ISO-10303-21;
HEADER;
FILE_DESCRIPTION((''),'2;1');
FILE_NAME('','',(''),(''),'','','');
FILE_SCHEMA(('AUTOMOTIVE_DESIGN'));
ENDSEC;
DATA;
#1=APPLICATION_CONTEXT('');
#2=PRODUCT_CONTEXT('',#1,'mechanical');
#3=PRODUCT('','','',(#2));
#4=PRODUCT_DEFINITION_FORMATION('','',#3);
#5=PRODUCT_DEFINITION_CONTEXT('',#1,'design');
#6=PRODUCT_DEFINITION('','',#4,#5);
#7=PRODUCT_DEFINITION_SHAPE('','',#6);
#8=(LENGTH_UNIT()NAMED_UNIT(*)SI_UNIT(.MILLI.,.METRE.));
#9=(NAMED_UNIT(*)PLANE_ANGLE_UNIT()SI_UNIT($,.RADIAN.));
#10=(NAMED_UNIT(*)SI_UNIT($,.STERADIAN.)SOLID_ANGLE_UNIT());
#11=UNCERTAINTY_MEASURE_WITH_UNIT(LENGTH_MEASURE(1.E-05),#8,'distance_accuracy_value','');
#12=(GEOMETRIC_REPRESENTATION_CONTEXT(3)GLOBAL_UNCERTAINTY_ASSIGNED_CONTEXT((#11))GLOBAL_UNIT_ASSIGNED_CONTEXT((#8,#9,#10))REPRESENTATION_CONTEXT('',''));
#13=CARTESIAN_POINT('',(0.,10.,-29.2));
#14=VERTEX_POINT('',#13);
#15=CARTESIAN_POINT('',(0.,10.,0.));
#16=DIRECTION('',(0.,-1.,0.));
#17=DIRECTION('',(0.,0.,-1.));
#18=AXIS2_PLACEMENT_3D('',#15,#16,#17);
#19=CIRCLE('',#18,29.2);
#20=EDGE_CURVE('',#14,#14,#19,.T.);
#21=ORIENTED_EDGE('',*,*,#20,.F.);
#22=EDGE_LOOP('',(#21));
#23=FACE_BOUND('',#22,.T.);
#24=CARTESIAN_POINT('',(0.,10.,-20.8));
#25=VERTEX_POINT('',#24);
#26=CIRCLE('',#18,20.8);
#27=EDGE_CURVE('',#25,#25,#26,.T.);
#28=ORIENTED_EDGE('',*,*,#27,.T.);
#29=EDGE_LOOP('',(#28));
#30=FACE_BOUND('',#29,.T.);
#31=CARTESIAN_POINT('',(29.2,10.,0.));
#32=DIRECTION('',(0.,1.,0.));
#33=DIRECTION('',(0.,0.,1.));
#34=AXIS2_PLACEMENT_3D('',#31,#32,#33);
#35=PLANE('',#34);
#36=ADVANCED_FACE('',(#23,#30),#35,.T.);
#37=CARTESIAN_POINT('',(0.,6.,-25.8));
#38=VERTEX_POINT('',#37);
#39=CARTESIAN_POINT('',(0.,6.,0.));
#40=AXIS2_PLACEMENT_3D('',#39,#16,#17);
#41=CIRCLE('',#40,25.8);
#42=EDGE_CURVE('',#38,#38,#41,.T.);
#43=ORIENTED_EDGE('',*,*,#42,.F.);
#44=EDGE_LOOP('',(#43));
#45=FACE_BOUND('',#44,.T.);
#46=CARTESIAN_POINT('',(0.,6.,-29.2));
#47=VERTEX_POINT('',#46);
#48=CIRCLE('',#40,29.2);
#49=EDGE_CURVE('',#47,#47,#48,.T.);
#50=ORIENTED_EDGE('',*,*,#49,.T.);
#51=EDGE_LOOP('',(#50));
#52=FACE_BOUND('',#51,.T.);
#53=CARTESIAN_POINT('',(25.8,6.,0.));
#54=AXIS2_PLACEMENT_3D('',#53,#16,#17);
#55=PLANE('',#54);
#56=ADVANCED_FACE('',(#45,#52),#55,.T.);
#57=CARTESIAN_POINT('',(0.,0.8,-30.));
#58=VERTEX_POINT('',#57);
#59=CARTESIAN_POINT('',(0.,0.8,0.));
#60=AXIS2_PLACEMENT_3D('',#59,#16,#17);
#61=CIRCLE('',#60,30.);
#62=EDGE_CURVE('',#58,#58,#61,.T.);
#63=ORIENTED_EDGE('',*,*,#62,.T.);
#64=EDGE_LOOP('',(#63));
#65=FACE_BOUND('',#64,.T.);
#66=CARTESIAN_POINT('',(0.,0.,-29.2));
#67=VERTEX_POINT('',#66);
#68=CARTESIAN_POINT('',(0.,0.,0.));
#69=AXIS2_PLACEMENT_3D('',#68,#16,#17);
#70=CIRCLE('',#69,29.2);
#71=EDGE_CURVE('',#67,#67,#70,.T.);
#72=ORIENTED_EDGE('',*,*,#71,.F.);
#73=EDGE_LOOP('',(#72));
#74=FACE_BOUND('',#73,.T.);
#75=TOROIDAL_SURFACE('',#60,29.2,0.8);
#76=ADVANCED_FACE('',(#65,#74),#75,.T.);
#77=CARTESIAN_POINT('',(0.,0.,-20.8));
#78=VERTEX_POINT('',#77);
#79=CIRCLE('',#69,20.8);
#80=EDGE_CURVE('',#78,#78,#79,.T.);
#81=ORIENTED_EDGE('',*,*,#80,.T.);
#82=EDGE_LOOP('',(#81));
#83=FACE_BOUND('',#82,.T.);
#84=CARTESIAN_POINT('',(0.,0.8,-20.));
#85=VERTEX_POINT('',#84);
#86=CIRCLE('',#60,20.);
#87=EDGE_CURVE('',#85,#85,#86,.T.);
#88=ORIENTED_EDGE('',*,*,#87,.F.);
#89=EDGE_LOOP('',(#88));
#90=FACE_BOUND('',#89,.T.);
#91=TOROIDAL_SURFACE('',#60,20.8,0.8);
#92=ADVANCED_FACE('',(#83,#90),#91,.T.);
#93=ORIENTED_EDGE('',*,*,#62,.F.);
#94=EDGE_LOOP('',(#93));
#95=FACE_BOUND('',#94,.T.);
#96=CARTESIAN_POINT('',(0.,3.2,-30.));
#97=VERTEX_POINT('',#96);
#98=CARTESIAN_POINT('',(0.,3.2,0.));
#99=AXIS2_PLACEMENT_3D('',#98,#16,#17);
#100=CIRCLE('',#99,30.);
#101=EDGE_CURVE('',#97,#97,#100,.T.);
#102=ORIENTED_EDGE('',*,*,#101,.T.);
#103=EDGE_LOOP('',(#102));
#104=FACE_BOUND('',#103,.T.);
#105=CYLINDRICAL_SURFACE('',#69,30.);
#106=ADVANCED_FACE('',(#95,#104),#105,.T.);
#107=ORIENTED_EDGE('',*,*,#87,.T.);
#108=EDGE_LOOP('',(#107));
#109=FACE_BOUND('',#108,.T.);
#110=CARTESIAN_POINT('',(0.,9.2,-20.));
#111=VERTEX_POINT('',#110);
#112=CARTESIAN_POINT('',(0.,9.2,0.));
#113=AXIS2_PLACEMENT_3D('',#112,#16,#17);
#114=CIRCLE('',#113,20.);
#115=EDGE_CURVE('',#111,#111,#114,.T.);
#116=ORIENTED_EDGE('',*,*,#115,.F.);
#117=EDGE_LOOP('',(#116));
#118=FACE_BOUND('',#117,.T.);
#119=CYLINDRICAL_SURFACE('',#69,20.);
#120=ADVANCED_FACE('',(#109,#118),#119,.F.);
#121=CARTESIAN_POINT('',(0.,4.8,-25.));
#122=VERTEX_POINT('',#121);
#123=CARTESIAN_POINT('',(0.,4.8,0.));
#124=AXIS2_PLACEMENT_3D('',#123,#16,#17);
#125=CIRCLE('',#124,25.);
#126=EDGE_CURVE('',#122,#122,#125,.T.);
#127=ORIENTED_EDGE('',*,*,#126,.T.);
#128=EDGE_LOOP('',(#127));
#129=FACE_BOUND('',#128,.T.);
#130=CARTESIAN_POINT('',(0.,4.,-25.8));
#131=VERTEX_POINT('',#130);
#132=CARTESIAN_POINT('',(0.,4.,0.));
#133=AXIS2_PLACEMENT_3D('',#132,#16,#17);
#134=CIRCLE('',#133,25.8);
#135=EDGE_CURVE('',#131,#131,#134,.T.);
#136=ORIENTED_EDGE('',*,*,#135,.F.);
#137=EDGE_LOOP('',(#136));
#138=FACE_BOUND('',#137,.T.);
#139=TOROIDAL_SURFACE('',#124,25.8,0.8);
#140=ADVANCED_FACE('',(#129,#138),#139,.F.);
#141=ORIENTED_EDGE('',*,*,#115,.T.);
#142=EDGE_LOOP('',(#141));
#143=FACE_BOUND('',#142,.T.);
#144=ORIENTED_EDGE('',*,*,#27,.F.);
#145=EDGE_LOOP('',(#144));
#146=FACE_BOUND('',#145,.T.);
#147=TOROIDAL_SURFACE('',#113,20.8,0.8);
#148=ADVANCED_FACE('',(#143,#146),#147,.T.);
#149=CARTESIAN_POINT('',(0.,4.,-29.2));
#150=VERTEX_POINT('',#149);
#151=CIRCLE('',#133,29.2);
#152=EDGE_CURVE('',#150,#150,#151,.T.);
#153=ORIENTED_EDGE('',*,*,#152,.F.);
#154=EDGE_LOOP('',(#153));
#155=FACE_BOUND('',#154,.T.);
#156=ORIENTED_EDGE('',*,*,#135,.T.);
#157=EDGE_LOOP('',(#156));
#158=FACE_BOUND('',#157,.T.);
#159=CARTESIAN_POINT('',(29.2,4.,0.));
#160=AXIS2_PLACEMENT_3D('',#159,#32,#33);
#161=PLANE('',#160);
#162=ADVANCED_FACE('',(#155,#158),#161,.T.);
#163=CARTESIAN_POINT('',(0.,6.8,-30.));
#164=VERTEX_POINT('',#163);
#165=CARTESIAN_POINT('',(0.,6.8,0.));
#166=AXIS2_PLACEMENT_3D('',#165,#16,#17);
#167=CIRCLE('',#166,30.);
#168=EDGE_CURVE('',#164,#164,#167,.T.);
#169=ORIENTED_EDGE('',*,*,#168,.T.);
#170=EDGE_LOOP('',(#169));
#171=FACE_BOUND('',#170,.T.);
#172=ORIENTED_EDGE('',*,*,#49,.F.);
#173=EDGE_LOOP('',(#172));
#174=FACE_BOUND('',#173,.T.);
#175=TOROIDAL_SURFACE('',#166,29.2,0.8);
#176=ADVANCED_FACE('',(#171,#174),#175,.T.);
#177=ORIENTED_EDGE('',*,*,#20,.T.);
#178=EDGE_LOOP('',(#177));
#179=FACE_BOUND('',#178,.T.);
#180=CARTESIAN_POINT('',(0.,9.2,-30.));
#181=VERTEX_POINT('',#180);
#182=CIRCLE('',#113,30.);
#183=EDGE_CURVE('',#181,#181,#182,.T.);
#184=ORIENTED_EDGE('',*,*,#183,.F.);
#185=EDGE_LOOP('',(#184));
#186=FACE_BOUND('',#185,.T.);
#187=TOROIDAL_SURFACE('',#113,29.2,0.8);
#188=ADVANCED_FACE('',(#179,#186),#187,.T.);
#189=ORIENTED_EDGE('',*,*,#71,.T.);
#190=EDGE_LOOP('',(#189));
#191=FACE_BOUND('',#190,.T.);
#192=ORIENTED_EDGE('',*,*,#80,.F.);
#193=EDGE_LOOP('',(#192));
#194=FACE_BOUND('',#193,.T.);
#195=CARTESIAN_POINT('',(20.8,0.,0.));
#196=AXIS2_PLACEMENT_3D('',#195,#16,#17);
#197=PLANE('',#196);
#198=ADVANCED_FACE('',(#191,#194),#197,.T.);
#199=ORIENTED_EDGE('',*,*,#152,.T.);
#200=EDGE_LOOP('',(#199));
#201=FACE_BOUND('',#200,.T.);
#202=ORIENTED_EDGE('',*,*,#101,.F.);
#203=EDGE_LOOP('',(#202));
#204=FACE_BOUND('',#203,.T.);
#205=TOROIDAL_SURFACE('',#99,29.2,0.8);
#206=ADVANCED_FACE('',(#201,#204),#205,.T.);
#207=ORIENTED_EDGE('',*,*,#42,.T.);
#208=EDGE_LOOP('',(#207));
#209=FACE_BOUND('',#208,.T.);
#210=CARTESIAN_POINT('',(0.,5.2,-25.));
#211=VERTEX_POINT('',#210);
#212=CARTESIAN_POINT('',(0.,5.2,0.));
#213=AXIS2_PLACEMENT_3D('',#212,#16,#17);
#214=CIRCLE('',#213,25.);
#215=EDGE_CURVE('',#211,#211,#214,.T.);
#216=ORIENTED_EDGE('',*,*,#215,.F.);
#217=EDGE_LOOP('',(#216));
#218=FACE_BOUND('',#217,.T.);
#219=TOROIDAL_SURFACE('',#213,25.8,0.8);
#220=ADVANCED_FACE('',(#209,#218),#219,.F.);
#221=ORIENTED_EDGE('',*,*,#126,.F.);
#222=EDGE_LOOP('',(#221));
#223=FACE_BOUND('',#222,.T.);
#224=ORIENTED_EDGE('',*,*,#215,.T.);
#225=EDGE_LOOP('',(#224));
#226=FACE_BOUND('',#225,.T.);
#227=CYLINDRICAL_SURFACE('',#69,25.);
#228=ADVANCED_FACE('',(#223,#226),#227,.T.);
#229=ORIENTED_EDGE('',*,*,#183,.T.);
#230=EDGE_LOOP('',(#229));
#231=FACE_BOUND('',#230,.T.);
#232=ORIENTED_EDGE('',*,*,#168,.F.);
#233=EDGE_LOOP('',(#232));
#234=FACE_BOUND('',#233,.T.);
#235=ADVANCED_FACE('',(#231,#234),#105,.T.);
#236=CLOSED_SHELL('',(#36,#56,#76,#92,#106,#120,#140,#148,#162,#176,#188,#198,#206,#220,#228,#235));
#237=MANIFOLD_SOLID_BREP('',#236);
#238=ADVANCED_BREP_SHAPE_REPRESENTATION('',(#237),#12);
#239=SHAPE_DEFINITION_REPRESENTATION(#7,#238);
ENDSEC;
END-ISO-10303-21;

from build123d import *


with BuildPart() as part:
    # Эскиз1 → Повернуть1 (revolve)
    with BuildSketch(Plane.XY, mode=Mode.PRIVATE) as revolve_1_sk:
        with BuildLine():
            Line((20, 0.8), (20, 9.2))
            ThreePointArc((20, 9.2), (20.234314575, 9.765685425), (20.8, 10))
            Line((20.8, 10), (29.2, 10))
            ThreePointArc((29.2, 10), (29.765685425, 9.765685425), (30, 9.2))
            Line((30, 9.2), (30, 6.8))
            ThreePointArc((30, 6.8), (29.765685425, 6.234314575), (29.2, 6))
            Line((29.2, 6), (25.8, 6))
            ThreePointArc((25.8, 6), (25.234314575, 5.765685425), (25, 5.2))
            Line((25, 5.2), (25, 4.8))
            ThreePointArc((25, 4.8), (25.234314575, 4.234314575), (25.8, 4))
            Line((25.8, 4), (29.2, 4))
            ThreePointArc((29.2, 4), (29.765685425, 3.765685425), (30, 3.2))
            Line((30, 3.2), (30, 0.8))
            ThreePointArc((30, 0.8), (29.765685425, 0.234314575), (29.2, 0))
            Line((29.2, 0), (20.8, 0))
            ThreePointArc((20.8, 0), (20.234314575, 0.234314575), (20, 0.8))
        make_face()
    revolve(revolve_1_sk.sketch.rotate(Axis((0, 0, 0), (0, 1, 0)), 90), axis=Axis((0, 0, 0), (0, 1, 0)))


solid = part.part
